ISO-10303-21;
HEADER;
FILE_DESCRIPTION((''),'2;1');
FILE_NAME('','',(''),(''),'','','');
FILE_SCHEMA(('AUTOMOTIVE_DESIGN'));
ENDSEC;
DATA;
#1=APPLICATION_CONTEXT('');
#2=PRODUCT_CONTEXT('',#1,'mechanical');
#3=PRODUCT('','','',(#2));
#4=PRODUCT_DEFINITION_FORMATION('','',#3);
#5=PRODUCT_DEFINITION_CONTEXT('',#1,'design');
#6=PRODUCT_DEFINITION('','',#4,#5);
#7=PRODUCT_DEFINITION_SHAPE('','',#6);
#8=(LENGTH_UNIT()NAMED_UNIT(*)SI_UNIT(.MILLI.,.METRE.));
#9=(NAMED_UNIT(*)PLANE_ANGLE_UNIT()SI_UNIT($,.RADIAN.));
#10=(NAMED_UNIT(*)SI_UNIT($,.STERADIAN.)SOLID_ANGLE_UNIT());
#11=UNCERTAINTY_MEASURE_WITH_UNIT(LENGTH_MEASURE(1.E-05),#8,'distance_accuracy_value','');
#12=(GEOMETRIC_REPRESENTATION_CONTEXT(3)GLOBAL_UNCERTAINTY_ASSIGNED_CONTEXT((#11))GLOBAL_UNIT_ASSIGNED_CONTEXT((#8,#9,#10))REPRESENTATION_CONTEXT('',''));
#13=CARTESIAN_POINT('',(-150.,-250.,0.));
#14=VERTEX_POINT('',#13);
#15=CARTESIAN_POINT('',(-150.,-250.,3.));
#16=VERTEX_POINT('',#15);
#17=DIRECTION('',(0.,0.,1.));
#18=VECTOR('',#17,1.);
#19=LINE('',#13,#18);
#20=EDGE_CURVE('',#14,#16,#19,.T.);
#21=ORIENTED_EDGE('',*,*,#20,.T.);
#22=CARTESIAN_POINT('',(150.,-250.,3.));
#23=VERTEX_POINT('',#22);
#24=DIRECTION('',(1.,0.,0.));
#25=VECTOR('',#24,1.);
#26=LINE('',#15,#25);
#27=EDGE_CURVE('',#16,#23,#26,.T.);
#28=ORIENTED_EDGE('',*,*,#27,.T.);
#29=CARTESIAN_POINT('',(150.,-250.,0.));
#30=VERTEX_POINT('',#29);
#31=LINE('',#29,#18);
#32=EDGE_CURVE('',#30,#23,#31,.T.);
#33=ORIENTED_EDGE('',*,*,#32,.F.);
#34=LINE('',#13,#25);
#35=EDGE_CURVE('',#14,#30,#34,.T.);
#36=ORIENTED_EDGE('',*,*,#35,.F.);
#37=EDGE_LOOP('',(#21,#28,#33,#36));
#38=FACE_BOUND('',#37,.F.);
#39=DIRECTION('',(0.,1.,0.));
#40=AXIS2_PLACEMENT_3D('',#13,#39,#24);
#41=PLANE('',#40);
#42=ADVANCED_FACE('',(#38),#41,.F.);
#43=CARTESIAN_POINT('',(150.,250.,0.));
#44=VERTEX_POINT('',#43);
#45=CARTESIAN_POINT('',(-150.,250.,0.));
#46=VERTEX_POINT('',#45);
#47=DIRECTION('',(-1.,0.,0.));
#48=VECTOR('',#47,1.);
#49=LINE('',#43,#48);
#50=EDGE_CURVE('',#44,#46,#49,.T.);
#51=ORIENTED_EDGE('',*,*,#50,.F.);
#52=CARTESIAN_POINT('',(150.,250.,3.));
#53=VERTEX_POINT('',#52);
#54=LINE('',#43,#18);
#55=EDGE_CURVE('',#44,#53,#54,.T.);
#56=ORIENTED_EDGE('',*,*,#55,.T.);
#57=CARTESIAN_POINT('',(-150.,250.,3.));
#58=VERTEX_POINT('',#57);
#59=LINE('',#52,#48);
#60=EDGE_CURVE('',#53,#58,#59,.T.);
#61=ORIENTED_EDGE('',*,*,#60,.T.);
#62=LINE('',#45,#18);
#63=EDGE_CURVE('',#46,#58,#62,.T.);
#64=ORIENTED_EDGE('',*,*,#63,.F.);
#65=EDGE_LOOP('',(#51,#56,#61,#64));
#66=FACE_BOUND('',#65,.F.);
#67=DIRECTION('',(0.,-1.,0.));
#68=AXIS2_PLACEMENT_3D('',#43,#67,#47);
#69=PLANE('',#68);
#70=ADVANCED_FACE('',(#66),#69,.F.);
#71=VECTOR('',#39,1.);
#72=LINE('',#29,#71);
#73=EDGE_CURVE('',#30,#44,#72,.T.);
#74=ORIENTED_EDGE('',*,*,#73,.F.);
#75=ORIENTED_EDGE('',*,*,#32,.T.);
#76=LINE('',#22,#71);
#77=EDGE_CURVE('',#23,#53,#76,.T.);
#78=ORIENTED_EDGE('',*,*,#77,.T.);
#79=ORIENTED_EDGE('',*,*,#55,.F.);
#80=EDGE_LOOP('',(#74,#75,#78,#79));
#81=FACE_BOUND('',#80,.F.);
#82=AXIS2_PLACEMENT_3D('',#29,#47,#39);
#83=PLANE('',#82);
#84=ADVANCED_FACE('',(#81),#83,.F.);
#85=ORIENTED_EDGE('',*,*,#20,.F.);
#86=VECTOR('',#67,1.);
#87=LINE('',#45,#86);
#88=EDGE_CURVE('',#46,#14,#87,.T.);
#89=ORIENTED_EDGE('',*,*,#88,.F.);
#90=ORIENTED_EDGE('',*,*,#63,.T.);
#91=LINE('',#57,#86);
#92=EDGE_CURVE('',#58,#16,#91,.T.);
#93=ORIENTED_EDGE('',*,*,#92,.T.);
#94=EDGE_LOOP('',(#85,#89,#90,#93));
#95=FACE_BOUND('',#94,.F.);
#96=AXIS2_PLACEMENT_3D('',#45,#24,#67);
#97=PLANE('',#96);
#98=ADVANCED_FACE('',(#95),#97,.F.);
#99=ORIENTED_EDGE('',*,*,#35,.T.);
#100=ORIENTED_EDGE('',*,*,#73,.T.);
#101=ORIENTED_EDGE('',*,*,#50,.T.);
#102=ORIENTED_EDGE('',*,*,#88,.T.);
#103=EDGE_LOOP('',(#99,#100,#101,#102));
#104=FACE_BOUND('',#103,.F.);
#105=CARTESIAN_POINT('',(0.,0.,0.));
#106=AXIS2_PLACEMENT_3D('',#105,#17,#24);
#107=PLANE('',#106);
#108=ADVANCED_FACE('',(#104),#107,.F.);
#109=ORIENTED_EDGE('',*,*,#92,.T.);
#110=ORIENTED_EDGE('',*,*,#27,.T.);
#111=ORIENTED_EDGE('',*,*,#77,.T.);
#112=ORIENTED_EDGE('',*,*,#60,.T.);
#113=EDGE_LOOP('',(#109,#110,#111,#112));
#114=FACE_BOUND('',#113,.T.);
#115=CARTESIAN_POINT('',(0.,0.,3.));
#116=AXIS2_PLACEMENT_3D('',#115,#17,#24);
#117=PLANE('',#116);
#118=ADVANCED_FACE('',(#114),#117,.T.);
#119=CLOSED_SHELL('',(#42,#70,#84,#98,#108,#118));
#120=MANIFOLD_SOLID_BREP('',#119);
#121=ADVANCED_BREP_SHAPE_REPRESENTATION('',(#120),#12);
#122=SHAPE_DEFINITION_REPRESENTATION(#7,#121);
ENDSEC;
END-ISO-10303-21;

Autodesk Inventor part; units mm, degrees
ref_plane "YZ Plane" through (0, 0, 0) normal (1, 0, 0) x (0, 1, 0)
ref_plane "XZ Plane" through (0, 0, 0) normal (0, 1, 0) x (-1, 0, 0)
ref_plane "XY Plane" through (0, 0, 0) normal (0, 0, 1) x (1, 0, 0)
sketch "Sketch1" plane through (0, 0, 0) normal (0, 0, 1) x (1, 0, 0)
  line L0 (150, 250) -> (-150, 250)
  line L1 (-150, 250) -> (-150, -250)
  line L2 (-150, -250) -> (150, -250)
  line L3 (150, -250) -> (150, 250)
  line L4 (150, 250) -> (-150, -250) construction
  line L5 (-150, 250) -> (150, -250) construction
  point P0 (0, 0)
  dimension "d0" = 300
  dimension "d1" = 500
extrude "Extrusion1" add sketch "Sketch1" along normal blind 3
sketch "Sketch4" plane through (0, 0, 3) normal (0, 0, 1) x (1, 0, 0)
  line L0 (-105.1666, -140.2454) -> (-24.9469, -94.301) construction
  line L1 (-23.8333, -140.2454) -> (-105.9352, -95.7824) construction
  point P0 (0, 0)
  point P1 (-23.8333, -96.2454)
  point P2 (-105.1666, -96.2454)
  point P3 (-38.8284, -102.2514)
  point P4 (-91.4635, -103.6196)
  point P5 (-91.4635, -132.3972)
  point P6 (-38.3251, -132.3972)
hole "Hole3" [suppressed]
properties part number "Floor" material "Acrylic, Clear"
